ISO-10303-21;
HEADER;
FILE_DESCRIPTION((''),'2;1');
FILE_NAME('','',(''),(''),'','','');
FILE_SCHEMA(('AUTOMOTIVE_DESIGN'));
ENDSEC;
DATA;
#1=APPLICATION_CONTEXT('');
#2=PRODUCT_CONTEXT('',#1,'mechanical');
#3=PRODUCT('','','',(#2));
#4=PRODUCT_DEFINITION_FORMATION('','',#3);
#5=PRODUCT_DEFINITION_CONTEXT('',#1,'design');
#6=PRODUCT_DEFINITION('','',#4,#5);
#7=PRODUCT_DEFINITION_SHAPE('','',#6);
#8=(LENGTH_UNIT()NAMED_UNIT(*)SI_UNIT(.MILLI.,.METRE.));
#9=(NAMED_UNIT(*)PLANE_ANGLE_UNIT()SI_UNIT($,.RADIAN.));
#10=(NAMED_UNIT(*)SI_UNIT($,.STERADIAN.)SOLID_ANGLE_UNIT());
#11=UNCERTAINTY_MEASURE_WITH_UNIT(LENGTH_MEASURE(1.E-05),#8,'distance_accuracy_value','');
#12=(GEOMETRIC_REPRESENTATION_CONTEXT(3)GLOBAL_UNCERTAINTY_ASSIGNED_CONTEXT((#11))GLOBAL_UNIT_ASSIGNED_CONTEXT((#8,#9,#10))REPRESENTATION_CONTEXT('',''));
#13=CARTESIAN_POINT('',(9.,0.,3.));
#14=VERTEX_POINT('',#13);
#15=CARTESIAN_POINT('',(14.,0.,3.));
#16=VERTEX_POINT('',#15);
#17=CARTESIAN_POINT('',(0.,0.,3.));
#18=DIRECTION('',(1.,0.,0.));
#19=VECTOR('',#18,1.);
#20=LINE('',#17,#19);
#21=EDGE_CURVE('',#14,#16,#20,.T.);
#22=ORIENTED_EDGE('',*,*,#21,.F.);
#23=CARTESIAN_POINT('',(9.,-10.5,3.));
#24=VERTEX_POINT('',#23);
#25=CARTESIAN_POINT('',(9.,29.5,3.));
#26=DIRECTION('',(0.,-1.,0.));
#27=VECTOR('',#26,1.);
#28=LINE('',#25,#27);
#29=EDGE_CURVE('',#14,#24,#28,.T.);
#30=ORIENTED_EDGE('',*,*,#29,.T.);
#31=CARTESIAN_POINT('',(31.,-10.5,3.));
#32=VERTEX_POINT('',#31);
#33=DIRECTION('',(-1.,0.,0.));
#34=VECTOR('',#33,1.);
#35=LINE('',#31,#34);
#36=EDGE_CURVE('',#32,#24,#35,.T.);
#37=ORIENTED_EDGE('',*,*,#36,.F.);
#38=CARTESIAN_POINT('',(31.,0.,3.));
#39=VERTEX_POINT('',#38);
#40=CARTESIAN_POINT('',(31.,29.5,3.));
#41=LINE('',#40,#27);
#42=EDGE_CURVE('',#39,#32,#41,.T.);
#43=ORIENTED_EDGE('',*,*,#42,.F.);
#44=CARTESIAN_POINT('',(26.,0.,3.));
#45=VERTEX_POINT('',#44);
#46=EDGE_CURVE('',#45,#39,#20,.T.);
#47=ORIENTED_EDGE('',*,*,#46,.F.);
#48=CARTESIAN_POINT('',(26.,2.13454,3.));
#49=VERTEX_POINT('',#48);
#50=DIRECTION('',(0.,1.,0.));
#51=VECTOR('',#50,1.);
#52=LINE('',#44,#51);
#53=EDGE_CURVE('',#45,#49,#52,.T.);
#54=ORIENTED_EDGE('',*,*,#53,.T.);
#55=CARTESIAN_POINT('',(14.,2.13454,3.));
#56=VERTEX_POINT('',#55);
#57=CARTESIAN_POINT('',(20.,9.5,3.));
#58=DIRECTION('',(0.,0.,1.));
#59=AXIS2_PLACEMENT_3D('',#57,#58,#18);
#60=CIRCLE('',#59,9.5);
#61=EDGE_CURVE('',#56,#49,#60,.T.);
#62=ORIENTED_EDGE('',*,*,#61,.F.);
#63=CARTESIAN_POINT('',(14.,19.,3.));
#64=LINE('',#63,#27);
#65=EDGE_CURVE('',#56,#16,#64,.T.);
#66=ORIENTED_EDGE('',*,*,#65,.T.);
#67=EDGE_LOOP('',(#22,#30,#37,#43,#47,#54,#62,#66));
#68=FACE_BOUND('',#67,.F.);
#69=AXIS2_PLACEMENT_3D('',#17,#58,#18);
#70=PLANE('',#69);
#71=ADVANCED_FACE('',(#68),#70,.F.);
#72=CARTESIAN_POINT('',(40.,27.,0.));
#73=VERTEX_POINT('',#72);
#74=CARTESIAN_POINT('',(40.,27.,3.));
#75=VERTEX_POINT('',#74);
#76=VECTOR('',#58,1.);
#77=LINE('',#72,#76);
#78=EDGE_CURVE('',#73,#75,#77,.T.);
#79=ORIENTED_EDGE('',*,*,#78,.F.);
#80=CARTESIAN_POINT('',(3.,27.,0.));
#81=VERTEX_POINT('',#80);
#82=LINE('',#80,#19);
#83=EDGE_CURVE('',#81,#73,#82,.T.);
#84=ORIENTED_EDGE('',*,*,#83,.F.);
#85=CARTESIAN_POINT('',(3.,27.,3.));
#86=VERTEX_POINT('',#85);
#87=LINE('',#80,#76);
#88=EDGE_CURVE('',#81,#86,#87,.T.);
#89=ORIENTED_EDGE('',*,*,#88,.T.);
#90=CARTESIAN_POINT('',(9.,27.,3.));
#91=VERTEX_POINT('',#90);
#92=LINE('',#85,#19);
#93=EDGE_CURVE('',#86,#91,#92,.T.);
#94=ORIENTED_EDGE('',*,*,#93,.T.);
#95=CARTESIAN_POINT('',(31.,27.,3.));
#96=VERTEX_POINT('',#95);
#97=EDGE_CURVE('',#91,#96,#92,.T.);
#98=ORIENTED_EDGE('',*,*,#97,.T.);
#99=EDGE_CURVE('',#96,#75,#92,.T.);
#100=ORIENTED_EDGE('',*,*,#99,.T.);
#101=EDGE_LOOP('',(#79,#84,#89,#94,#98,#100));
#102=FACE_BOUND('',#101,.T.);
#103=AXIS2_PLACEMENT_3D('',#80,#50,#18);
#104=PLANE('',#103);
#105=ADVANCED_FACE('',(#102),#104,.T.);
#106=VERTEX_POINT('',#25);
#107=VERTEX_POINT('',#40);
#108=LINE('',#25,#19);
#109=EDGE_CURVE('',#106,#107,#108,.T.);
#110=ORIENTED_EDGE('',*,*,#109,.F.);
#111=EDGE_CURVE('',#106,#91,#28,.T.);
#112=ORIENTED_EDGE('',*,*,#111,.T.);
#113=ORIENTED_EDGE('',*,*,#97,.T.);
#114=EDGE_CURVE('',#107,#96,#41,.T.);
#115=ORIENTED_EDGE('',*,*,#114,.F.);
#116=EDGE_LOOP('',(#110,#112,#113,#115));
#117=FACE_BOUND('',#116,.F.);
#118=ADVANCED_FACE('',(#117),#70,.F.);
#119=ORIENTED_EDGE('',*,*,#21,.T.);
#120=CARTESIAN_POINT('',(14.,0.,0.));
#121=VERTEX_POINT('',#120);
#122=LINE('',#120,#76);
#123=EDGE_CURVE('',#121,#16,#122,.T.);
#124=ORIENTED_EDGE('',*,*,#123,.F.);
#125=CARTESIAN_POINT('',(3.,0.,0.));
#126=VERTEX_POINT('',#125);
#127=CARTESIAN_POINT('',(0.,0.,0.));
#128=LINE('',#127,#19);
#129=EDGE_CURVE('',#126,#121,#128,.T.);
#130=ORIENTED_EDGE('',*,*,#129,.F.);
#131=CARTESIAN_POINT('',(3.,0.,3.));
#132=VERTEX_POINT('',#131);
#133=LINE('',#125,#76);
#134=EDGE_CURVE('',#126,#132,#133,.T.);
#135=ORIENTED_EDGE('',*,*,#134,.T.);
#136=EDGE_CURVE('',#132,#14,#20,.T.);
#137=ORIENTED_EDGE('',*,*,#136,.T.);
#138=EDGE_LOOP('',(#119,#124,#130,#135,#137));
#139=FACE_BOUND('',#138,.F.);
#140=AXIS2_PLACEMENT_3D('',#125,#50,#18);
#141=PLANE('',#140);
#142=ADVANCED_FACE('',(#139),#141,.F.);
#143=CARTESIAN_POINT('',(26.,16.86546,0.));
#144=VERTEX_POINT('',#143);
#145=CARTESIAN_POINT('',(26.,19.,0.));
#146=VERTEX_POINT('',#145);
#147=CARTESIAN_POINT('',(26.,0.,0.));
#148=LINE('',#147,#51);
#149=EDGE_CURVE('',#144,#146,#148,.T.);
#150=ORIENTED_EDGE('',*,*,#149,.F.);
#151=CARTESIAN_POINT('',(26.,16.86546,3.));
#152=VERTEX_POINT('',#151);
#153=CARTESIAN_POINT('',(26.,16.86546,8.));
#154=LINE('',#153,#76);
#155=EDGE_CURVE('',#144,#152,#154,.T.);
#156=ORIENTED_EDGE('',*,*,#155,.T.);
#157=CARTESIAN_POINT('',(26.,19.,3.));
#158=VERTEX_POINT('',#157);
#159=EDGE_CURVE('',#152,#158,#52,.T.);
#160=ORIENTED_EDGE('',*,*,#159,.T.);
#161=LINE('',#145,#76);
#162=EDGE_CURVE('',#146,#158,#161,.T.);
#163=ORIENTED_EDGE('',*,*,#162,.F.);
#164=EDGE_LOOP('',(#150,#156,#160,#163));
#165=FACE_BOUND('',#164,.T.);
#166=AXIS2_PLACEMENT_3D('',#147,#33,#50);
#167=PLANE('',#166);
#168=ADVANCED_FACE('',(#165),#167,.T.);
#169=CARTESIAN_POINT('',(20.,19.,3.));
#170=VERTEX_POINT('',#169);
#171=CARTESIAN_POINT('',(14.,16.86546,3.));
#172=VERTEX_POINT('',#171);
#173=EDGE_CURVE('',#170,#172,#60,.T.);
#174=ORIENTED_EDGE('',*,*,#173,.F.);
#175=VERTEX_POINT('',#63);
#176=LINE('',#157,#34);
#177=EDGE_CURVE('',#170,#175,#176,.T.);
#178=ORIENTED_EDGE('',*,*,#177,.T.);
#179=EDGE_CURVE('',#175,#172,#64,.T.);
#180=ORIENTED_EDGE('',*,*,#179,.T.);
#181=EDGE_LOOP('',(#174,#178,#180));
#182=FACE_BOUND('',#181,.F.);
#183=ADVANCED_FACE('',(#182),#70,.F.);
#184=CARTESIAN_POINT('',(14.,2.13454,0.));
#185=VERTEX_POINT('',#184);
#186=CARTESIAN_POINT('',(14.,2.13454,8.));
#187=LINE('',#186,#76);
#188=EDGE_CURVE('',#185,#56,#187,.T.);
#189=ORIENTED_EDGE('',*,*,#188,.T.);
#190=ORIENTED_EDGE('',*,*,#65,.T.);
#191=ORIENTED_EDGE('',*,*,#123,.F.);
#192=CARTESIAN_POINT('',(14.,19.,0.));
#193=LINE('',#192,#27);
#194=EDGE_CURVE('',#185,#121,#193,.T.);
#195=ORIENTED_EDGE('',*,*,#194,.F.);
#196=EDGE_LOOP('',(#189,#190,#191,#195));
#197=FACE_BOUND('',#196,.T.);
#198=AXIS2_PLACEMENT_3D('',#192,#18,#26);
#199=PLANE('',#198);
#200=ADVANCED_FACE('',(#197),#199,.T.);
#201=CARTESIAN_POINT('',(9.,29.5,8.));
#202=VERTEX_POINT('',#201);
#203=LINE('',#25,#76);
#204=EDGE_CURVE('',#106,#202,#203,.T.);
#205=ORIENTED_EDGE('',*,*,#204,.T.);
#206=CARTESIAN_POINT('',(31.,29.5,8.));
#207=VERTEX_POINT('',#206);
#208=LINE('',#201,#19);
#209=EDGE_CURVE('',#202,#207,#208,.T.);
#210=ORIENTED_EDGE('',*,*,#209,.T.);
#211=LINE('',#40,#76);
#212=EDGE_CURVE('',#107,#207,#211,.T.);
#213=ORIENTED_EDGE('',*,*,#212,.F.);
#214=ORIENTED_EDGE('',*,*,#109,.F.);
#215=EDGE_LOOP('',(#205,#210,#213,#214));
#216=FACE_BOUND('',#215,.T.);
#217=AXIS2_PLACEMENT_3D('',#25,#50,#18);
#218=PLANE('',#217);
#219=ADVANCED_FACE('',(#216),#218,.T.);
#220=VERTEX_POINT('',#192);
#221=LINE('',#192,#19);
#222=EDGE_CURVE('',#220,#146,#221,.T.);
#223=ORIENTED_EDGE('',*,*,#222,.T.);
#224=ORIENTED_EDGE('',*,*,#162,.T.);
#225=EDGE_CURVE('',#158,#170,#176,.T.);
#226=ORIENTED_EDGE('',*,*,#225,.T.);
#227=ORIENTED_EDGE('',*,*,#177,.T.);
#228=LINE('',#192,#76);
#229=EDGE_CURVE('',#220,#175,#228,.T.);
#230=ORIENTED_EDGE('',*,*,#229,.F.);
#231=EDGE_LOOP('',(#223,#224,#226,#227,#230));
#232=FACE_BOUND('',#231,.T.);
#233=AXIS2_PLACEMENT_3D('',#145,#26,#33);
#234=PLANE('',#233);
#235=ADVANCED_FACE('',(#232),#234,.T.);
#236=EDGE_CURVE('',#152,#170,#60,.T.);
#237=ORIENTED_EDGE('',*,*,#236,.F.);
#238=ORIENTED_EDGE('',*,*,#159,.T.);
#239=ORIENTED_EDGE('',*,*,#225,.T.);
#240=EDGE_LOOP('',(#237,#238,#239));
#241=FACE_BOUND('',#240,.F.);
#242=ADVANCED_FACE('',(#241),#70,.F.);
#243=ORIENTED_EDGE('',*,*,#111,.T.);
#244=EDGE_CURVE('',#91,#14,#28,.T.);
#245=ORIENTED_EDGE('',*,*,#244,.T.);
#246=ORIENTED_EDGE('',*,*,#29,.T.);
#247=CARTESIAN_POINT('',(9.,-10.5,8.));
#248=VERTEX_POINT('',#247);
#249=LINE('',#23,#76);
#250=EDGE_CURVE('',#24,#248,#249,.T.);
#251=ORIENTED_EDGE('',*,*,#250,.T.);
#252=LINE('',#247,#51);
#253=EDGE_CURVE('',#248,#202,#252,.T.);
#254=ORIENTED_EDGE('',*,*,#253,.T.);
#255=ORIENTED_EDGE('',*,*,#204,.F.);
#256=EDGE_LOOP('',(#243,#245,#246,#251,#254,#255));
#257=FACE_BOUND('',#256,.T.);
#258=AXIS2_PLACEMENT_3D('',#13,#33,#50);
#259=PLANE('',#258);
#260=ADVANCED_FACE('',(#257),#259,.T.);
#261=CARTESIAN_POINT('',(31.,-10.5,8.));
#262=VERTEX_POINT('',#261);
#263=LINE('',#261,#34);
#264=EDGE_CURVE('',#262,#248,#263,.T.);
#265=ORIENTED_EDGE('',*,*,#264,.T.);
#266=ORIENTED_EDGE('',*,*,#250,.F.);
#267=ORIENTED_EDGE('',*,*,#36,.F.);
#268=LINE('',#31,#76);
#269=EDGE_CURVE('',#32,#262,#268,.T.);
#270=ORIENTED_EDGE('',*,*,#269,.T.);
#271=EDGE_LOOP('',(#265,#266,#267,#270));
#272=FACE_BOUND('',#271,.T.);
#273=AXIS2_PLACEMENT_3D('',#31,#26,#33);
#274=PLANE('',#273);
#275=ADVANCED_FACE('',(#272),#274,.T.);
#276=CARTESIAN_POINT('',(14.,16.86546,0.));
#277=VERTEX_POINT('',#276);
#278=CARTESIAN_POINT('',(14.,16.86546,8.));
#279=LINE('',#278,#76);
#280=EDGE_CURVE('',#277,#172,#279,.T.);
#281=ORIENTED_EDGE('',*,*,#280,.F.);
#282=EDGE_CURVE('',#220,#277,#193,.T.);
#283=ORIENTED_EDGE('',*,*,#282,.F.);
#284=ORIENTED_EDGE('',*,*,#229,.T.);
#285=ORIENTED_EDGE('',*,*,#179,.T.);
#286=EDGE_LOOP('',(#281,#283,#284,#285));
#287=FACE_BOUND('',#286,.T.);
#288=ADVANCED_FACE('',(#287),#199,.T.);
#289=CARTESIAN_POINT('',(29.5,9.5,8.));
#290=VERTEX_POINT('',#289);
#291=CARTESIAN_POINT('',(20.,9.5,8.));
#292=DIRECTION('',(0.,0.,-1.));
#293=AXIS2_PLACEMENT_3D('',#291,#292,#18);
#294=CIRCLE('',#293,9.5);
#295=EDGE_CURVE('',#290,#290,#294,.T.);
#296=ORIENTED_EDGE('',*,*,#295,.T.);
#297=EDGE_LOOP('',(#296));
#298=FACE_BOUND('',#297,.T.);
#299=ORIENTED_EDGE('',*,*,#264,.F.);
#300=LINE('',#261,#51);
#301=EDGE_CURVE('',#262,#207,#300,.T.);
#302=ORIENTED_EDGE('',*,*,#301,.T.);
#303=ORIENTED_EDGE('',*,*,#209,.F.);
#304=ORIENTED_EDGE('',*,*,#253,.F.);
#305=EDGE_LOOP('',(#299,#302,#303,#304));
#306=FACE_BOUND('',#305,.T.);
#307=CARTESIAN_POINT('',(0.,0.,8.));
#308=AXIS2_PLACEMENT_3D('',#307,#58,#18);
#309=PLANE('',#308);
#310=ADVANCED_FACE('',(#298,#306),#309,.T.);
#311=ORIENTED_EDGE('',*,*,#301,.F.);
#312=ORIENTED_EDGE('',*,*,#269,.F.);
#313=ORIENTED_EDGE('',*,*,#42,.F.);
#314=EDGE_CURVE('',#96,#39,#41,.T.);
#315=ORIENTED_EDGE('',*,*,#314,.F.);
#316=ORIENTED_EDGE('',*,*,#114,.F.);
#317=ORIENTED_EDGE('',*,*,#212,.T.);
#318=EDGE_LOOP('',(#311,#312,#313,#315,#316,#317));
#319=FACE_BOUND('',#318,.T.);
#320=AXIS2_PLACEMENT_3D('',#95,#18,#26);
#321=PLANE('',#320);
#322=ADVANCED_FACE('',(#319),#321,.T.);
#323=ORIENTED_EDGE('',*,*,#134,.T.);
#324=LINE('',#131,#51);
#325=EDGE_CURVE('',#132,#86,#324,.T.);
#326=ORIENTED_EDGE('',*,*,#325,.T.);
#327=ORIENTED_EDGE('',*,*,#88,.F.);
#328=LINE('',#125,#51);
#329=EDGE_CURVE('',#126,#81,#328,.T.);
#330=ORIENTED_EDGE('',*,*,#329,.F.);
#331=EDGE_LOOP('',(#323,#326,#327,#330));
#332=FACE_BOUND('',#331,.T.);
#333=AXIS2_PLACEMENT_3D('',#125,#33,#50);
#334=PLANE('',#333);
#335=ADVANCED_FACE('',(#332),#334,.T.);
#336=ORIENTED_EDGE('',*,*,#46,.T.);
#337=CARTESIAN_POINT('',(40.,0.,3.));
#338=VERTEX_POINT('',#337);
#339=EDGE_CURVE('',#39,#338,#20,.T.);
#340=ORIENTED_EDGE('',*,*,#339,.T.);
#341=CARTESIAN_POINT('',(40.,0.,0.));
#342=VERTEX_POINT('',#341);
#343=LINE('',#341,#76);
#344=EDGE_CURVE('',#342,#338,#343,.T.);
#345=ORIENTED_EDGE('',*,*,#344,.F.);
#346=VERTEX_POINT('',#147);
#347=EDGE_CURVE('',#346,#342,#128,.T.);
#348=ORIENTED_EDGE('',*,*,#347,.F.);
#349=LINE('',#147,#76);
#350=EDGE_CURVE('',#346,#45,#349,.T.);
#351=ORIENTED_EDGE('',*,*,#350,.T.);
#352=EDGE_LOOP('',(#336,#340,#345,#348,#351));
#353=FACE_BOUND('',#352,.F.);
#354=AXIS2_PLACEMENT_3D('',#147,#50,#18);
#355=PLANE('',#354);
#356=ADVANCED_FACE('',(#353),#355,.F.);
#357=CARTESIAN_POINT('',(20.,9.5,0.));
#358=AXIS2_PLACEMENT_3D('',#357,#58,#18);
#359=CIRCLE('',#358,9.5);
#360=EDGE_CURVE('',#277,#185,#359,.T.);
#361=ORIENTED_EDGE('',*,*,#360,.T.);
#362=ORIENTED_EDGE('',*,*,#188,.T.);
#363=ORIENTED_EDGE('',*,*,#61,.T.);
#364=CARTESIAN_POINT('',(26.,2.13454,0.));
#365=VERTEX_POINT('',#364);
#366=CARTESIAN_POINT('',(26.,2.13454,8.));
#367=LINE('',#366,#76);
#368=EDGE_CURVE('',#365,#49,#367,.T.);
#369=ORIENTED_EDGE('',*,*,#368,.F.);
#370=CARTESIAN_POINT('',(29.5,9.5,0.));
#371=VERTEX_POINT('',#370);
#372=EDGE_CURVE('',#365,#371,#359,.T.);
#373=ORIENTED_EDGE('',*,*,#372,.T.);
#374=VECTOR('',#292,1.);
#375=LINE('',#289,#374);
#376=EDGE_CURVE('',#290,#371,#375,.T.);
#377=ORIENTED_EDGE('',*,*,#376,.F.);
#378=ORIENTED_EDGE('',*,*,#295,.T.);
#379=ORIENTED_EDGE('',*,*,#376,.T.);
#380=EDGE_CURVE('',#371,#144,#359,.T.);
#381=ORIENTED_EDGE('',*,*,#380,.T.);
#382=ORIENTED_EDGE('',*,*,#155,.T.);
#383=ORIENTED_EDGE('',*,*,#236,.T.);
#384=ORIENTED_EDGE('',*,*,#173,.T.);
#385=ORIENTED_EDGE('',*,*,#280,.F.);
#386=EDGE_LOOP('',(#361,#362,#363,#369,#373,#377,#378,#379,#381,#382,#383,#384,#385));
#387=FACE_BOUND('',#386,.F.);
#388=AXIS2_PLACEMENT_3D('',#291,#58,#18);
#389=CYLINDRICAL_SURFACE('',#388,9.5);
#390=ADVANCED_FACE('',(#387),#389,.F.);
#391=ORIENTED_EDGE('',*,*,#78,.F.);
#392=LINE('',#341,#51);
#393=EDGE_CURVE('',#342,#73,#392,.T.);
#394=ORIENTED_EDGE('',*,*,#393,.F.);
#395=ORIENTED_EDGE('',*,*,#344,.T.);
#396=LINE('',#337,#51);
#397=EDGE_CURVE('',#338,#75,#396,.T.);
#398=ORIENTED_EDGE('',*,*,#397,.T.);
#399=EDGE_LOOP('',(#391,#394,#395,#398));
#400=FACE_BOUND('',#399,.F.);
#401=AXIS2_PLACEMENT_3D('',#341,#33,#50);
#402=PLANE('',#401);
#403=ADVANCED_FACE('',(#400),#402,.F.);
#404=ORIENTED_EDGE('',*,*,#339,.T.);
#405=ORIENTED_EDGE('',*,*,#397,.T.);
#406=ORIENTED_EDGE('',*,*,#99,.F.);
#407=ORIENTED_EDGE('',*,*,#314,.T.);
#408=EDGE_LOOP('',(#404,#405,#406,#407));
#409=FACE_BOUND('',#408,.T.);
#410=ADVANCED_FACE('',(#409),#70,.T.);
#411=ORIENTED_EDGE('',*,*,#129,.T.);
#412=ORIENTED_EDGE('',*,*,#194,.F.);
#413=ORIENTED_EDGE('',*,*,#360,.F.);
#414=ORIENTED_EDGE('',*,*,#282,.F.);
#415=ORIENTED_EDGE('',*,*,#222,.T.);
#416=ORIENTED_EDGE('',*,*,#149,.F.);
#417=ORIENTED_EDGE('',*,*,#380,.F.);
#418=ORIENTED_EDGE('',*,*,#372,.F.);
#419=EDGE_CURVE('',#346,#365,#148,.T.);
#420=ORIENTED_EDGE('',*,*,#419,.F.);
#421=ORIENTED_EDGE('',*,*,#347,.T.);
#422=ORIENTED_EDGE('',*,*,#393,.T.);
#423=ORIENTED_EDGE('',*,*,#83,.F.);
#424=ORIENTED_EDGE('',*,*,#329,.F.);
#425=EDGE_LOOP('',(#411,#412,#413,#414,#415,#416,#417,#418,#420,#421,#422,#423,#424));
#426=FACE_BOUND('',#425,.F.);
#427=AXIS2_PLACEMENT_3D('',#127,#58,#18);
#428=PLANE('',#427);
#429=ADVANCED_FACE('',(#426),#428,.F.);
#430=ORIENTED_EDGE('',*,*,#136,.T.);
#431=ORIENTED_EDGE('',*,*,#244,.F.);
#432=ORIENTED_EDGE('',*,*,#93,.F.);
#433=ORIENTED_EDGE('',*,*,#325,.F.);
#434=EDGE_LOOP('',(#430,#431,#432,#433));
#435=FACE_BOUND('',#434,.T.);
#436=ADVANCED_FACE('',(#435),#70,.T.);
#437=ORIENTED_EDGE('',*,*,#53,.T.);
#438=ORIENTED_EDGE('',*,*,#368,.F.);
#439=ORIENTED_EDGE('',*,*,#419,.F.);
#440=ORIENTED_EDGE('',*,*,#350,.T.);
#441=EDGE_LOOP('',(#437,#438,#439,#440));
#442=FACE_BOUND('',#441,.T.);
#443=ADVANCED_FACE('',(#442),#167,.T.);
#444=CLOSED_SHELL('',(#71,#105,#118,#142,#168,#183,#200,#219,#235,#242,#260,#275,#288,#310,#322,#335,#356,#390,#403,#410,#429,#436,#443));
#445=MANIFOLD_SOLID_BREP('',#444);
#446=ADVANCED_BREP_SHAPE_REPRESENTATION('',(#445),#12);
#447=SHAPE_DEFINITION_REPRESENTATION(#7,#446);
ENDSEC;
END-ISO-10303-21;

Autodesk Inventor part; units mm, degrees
ref_plane "YZ Plane" through (0, 0, 0) normal (1, 0, 0) x (0, 1, 0)
ref_plane "XZ Plane" through (0, 0, 0) normal (0, 1, 0) x (-1, 0, 0)
ref_plane "Arbeitsebene1" through (0, 0, 0) normal (0, 0, 1) x (1, 0, 0)
sketch "Skizze1" plane through (0, 0, 0) normal (0, 0, 1) x (1, 0, 0)
  line L0 (26, 19) -> (14, 19) projected
  line L1 (14, 19) -> (14, 0) projected
  line L2 (14, 0) -> (26, 0) projected
  line L3 (26, 0) -> (26, 19) projected
  line L4 (0, 0) -> (40, 0) projected
  line L5 (40, 0) -> (40, 42) projected
  line L6 (0, 42) -> (40, 42) projected
  line L7 (0, 0) -> (0, 42) projected
  line L8 (40, 0) -> (3, 0)
  line L9 (3, 0) -> (3, 27)
  line L10 (3, 27) -> (40, 27)
  line L11 (40, 27) -> (40, 0)
  dimension "d0" = 37
  dimension "d1" = 27
extrude "Extrusion1" add sketch "Skizze1" along normal blind 3 contours L0 L1 L4 L9 L10 L5 L3
sketch "Skizze2" plane through (0, 0, 3) normal (0, 0, 1) x (1, 0, 0)
  line L0 (14, 0) -> (14, 19) projected
  line L1 (14, 19) -> (26, 19) projected
  line L2 (26, 19) -> (26, 0) projected
  line L3 (26, 0) -> (40, 0) projected
  line L4 (40, 0) -> (40, 27) projected
  line L5 (40, 27) -> (3, 27) projected
  line L6 (3, 27) -> (3, 0) projected
  line L7 (3, 0) -> (14, 0) projected
  line L8 (9, 29.5) -> (31, 29.5)
  line L9 (31, 29.5) -> (31, -10.5)
  line L10 (31, -10.5) -> (9, -10.5)
  line L11 (9, -10.5) -> (9, 29.5)
  line L12 (9, 29.5) -> (31, -10.5) construction
  line L13 (31, 29.5) -> (9, -10.5) construction
  point P0 (0, 0)
  point P1 (20, 9.5)
  dimension "d4" = 22
  dimension "d5" = 40
extrude "Extrusion2" add sketch "Skizze2" along normal blind 5 contours L7 L11 L5 L9 L3 L2 L1 L0 | L0 L1 L2 L3 L9 L10 L11 L7 | L11 L8 L9 L5
sketch "Skizze3" plane through (0, 0, 8) normal (0, 0, 1) x (1, 0, 0)
  line L0 (14, 0) -> (14, 19) projected
  line L1 (14, 19) -> (26, 19) projected
  line L2 (26, 19) -> (26, 0) projected
  line L3 (14, 0) -> (26, 0) projected
  circle A0 centre (20, 9.5) radius 9.5
  point P0 (0, 0)
ref_plane "Arbeitsebene2" through (0, 0, 0) normal (0, 0, 1) x (1, 0, 0)
extrude "Extrusion3" cut sketch "Skizze3" against normal up to surface (8 mm away) contours A0 L0 | L0 A0 L2 | L2 A0
properties part number "04_LED_Holder"
